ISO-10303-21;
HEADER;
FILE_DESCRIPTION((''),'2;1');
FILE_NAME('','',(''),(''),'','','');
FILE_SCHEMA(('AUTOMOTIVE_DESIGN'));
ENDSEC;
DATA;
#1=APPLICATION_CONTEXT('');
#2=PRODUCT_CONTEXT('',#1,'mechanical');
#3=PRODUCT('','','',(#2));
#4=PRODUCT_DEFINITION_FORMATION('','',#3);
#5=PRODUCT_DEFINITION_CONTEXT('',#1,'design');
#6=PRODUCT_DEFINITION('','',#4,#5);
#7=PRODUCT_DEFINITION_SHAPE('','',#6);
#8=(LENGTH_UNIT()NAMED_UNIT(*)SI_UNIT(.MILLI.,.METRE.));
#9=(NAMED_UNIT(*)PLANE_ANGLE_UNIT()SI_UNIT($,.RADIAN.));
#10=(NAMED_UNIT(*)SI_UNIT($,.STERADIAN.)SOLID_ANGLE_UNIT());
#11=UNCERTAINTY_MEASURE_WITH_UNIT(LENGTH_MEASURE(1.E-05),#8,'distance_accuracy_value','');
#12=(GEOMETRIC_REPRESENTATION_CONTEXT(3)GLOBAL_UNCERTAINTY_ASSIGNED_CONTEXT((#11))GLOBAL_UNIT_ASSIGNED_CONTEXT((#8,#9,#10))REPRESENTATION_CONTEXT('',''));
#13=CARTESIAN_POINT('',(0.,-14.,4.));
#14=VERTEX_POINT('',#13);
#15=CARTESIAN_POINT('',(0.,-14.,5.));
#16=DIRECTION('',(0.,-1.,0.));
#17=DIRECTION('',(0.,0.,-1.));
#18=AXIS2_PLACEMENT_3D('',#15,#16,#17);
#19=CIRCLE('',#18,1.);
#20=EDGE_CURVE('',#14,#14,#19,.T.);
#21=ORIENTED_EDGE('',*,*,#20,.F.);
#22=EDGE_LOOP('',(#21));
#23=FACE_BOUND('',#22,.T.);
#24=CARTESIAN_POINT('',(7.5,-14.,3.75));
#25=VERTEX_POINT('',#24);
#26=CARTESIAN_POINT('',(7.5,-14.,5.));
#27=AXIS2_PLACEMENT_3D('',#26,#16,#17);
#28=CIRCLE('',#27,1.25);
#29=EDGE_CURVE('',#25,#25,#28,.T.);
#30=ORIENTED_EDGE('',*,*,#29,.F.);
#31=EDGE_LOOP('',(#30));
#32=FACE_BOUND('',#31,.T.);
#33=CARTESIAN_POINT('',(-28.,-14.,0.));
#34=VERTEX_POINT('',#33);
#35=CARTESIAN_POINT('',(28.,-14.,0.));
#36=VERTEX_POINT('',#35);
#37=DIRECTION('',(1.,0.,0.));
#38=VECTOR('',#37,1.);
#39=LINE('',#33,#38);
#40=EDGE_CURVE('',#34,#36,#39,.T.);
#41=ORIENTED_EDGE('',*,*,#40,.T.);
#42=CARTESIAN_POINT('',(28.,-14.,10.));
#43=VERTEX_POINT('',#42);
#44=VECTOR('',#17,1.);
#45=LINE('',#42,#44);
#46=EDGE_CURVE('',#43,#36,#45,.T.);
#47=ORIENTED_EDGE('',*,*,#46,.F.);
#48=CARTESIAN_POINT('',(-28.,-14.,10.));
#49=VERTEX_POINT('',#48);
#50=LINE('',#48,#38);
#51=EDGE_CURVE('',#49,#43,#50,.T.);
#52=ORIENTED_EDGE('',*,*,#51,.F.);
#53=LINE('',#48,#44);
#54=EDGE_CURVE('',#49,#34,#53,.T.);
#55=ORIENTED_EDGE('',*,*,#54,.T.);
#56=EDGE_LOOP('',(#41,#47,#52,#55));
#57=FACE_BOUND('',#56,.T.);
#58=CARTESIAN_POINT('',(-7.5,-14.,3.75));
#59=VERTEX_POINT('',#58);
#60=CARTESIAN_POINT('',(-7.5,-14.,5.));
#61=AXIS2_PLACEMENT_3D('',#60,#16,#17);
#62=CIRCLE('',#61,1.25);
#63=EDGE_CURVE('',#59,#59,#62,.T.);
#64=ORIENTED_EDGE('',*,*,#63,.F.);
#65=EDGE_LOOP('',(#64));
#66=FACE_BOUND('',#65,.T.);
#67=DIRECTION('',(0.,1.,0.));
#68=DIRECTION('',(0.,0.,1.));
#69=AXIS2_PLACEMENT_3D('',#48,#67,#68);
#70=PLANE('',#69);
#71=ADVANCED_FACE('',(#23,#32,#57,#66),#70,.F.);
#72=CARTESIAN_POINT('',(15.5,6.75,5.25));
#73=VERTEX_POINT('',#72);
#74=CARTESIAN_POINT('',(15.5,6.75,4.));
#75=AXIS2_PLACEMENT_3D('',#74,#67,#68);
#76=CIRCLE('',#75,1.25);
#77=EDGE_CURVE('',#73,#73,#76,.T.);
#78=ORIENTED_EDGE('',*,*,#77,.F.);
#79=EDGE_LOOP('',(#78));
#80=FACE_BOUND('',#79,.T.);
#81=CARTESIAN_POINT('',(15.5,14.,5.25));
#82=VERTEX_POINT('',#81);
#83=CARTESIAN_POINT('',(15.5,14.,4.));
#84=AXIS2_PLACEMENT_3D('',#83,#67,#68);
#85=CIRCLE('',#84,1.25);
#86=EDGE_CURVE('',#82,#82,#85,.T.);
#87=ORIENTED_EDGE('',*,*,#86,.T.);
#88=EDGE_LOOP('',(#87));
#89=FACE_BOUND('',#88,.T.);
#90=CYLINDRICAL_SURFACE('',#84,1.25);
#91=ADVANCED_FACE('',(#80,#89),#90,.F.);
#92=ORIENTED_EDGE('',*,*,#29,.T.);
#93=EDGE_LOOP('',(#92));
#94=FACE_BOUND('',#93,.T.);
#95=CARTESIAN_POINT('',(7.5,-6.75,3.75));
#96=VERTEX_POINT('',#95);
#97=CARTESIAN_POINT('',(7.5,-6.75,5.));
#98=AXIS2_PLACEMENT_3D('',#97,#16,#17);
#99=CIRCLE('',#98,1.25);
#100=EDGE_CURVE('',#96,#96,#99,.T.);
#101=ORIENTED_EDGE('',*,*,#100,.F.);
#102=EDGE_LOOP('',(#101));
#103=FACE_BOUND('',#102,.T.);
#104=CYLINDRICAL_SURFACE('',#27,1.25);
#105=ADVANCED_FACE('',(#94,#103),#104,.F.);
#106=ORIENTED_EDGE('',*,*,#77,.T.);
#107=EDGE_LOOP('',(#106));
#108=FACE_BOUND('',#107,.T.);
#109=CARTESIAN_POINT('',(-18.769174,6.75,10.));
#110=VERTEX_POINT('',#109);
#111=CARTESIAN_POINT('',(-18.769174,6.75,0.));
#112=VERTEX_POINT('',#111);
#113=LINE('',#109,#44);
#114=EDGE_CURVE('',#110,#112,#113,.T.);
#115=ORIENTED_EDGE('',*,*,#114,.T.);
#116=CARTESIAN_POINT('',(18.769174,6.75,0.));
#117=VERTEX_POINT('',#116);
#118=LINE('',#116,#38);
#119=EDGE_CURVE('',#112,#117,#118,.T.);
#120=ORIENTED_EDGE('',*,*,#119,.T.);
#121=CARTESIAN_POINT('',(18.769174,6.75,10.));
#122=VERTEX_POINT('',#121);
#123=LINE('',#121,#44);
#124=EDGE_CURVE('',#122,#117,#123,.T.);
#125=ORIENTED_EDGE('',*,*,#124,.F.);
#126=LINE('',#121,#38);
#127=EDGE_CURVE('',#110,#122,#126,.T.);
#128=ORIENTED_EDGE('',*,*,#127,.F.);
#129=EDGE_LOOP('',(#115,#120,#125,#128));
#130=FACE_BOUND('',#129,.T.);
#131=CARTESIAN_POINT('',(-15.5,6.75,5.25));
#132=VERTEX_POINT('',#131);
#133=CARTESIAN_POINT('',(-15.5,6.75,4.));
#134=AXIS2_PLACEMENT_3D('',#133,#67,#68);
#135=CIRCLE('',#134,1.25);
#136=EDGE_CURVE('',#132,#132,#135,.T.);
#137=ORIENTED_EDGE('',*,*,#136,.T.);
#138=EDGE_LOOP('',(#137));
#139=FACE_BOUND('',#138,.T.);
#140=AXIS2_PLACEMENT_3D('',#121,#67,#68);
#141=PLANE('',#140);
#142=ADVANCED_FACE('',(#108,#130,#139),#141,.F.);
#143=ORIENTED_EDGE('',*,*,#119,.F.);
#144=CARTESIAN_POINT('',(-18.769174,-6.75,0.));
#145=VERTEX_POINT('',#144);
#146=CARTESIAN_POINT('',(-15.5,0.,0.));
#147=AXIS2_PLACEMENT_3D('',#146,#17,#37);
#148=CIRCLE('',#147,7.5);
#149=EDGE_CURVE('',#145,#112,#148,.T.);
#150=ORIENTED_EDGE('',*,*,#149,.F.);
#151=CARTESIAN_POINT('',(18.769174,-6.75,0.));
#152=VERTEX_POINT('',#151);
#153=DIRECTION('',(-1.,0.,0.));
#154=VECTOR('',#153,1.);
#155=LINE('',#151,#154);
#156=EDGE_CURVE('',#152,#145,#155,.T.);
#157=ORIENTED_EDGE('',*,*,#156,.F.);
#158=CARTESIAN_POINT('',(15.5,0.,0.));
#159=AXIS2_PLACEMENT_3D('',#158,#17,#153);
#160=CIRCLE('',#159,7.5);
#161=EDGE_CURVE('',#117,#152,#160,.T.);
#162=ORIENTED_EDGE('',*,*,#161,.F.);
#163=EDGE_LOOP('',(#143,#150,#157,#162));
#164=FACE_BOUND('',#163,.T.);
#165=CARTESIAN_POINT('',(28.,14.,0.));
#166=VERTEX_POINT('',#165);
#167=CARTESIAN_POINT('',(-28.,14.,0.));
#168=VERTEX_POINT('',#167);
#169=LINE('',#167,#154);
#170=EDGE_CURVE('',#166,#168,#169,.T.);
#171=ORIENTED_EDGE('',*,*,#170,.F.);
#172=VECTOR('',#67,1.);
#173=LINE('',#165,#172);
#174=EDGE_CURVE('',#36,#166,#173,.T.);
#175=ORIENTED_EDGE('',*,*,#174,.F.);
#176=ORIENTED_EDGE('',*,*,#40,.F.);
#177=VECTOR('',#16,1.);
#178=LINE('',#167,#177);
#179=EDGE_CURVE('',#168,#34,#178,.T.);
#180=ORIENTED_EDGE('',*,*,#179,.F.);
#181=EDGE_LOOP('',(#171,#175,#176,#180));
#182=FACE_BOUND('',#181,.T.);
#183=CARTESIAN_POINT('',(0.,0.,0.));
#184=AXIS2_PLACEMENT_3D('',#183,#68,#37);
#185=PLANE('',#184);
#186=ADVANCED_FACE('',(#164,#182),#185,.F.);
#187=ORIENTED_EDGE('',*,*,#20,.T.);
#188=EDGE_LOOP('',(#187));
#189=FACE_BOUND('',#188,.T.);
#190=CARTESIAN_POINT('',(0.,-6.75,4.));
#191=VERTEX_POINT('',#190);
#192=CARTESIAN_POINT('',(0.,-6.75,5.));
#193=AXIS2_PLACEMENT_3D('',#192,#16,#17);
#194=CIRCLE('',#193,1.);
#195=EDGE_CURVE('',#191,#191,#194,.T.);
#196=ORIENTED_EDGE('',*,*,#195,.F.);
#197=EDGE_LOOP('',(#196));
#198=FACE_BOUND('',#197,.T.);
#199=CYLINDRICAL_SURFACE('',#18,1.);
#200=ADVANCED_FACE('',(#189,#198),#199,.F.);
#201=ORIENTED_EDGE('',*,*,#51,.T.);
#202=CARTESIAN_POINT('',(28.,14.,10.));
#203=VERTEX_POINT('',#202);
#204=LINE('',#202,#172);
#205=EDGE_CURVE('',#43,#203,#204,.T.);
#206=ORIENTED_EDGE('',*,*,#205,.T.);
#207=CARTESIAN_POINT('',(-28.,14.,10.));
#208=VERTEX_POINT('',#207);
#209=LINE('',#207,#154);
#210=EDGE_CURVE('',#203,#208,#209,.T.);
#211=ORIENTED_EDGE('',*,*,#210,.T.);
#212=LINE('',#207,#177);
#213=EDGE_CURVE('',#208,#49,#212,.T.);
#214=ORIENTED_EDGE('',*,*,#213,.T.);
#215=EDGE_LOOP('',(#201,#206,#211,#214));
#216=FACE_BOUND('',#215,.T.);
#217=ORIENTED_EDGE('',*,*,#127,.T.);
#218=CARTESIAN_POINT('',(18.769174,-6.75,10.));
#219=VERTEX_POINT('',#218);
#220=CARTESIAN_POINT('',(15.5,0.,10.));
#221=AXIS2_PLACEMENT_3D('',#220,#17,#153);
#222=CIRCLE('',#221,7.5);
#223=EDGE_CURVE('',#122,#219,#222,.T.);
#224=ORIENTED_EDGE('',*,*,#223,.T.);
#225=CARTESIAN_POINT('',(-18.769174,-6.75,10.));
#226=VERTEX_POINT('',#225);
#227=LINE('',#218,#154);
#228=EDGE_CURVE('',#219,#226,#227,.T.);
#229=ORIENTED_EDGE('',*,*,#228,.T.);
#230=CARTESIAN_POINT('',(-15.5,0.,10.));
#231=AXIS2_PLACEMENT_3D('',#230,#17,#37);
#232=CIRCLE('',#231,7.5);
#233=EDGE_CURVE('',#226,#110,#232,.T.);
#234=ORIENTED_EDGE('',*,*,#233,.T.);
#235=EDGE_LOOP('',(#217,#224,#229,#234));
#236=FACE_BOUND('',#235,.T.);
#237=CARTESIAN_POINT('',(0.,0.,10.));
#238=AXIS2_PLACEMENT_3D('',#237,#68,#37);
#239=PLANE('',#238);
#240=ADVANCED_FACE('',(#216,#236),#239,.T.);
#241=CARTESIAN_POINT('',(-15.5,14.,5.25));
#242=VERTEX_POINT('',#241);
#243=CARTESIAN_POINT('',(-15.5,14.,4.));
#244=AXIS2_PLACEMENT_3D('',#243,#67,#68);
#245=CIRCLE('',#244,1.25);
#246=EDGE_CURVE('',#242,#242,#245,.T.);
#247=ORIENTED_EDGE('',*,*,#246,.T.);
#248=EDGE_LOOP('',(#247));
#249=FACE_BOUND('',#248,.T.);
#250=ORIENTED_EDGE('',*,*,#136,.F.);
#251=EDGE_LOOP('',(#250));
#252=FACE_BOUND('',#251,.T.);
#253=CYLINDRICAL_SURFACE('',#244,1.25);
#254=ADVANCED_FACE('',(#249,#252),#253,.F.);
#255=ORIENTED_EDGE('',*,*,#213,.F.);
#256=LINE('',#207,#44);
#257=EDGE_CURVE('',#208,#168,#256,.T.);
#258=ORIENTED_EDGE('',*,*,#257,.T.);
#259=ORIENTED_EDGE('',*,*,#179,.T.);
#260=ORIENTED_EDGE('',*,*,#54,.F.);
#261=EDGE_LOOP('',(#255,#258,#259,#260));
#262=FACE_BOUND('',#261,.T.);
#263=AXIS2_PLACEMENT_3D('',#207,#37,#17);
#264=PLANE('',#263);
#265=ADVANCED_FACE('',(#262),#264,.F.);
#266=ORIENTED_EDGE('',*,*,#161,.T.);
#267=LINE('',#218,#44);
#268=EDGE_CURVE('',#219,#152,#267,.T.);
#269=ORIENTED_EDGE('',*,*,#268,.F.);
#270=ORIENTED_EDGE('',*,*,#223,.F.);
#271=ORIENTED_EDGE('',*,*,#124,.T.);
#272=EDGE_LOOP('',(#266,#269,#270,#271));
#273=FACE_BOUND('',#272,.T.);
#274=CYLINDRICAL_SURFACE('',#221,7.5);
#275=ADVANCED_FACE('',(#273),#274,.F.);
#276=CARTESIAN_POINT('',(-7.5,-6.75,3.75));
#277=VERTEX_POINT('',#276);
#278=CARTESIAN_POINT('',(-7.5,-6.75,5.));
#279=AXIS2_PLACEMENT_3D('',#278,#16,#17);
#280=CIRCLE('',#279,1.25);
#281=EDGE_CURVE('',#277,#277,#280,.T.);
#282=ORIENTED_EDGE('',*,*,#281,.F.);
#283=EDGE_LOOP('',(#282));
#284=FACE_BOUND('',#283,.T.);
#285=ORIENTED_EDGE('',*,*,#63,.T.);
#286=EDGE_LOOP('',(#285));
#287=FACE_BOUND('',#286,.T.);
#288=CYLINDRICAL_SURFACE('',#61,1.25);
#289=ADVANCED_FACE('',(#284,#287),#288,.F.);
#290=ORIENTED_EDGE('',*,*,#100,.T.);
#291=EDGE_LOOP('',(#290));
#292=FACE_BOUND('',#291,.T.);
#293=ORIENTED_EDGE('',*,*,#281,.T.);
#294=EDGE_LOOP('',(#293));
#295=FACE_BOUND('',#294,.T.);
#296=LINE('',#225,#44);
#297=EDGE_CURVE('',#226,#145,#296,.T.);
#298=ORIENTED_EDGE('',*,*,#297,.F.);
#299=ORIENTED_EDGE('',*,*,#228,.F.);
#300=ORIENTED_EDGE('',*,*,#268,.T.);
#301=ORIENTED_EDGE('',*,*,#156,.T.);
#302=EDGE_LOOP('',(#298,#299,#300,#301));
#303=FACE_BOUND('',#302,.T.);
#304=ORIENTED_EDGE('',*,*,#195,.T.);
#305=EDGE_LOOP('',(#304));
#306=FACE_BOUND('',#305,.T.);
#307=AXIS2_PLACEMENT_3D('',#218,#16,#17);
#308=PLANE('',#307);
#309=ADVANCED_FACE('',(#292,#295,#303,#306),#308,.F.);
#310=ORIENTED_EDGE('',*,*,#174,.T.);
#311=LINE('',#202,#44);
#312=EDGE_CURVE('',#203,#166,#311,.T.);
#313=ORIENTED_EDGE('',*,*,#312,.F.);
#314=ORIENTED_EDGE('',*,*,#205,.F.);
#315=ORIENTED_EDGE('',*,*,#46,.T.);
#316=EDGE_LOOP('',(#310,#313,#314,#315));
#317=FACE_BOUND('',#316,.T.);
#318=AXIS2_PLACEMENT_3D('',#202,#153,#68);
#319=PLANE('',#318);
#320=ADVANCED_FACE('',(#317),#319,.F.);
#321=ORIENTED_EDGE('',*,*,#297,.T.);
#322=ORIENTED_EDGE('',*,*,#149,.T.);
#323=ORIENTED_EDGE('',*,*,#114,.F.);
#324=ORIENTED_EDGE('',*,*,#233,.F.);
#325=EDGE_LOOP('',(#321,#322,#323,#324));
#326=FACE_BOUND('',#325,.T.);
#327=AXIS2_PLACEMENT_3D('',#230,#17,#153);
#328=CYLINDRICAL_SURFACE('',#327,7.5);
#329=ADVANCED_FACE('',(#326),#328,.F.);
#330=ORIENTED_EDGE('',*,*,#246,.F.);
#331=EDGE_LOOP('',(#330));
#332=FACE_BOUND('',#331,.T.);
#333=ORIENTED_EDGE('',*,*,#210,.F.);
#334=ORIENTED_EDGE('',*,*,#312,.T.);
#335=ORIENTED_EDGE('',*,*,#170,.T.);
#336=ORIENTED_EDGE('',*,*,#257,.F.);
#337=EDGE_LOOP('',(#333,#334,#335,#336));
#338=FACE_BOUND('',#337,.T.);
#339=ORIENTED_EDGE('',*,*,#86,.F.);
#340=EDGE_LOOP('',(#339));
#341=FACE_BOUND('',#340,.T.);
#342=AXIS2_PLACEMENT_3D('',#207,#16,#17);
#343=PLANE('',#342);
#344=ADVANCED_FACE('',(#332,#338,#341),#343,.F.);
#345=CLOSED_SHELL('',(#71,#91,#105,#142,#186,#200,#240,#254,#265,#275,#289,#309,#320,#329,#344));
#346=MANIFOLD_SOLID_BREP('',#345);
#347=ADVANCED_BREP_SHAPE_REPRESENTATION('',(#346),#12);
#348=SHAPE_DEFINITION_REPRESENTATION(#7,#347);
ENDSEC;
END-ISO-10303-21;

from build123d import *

# Parameters (mm, degrees)
SKIZZE1_W                       = 56
SKIZZE1_H                       = 28
AUFSATZ_LINEAR_AUSTRAGEN1_DEPTH = 10
SCHNITT_LINEAR_AUSTRAGEN1_DEPTH = 33.86335345
KERNLOCH_F_R_M3_GEWINDE1_D      = 2.5
KERNLOCH_F_R_M3_GEWINDE1_DEPTH  = 8.5
KERNLOCH_F_R_M3_GEWINDE1_TIP    = 0.751075774
KERNLOCH_F_R_M3_GEWINDE2_D      = 2.5
KERNLOCH_F_R_M3_GEWINDE2_DEPTH  = 7.25
F_2_0MM_STIFTLOCH1_D            = 2
F_2_0MM_STIFTLOCH1_DEPTH        = 8.5
F_2_0MM_STIFTLOCH1_TIP          = 0.600860619


with BuildPart() as part:
    # Skizze1 → Aufsatz-Linear austragen1 (new body)
    with BuildSketch(Plane.XY):
        Rectangle(SKIZZE1_W, SKIZZE1_H)
    extrude(amount=AUFSATZ_LINEAR_AUSTRAGEN1_DEPTH)

    # Skizze2 → Schnitt-Linear austragen1 (cut, through all)
    with BuildSketch(Plane(origin=(0, 0, 0), x_dir=(-1, 0, 0), z_dir=(0, 0, -1))):
        with BuildLine():
            Line((-18.769174208, 6.75), (18.769174208, 6.75))
            ThreePointArc((18.769174208, 6.75), (23, 0), (18.769174208, -6.75))
            Line((18.769174208, -6.75), (-18.769174208, -6.75))
            ThreePointArc((-18.769174208, -6.75), (-23, 0), (-18.769174208, 6.75))
        make_face()
    extrude(amount=-SCHNITT_LINEAR_AUSTRAGEN1_DEPTH, mode=Mode.SUBTRACT)

    # Kernloch für M3 Gewinde1
    with Locations(Plane(origin=(0, -14, 0), x_dir=(-1, 0, 0), z_dir=(0, -1, 0))):
        with Locations((-7.5, -5), (7.5, -5)):
            Hole(KERNLOCH_F_R_M3_GEWINDE1_D / 2, depth=KERNLOCH_F_R_M3_GEWINDE1_DEPTH)
            with Locations((0, 0, -(KERNLOCH_F_R_M3_GEWINDE1_DEPTH + KERNLOCH_F_R_M3_GEWINDE1_TIP / 2))):  # 118° drill point
                Cone(0, KERNLOCH_F_R_M3_GEWINDE1_D / 2, KERNLOCH_F_R_M3_GEWINDE1_TIP, mode=Mode.SUBTRACT)

    # Kernloch für M3 Gewinde2
    with Locations(Plane(origin=(0, 14, 0), x_dir=(1, 0, 0), z_dir=(0, 1, 0))):
        with Locations((15.5, -4), (-15.5, -4)):
            Hole(KERNLOCH_F_R_M3_GEWINDE2_D / 2, depth=KERNLOCH_F_R_M3_GEWINDE2_DEPTH)

    # Ø2.0mm Stiftloch1
    with Locations(Plane(origin=(0, -14, 0), x_dir=(-1, 0, 0), z_dir=(0, -1, 0))):
        with Locations((0, -5)):
            Hole(F_2_0MM_STIFTLOCH1_D / 2, depth=F_2_0MM_STIFTLOCH1_DEPTH)
            with Locations((0, 0, -(F_2_0MM_STIFTLOCH1_DEPTH + F_2_0MM_STIFTLOCH1_TIP / 2))):  # 118° drill point
                Cone(0, F_2_0MM_STIFTLOCH1_D / 2, F_2_0MM_STIFTLOCH1_TIP, mode=Mode.SUBTRACT)


solid = part.part
